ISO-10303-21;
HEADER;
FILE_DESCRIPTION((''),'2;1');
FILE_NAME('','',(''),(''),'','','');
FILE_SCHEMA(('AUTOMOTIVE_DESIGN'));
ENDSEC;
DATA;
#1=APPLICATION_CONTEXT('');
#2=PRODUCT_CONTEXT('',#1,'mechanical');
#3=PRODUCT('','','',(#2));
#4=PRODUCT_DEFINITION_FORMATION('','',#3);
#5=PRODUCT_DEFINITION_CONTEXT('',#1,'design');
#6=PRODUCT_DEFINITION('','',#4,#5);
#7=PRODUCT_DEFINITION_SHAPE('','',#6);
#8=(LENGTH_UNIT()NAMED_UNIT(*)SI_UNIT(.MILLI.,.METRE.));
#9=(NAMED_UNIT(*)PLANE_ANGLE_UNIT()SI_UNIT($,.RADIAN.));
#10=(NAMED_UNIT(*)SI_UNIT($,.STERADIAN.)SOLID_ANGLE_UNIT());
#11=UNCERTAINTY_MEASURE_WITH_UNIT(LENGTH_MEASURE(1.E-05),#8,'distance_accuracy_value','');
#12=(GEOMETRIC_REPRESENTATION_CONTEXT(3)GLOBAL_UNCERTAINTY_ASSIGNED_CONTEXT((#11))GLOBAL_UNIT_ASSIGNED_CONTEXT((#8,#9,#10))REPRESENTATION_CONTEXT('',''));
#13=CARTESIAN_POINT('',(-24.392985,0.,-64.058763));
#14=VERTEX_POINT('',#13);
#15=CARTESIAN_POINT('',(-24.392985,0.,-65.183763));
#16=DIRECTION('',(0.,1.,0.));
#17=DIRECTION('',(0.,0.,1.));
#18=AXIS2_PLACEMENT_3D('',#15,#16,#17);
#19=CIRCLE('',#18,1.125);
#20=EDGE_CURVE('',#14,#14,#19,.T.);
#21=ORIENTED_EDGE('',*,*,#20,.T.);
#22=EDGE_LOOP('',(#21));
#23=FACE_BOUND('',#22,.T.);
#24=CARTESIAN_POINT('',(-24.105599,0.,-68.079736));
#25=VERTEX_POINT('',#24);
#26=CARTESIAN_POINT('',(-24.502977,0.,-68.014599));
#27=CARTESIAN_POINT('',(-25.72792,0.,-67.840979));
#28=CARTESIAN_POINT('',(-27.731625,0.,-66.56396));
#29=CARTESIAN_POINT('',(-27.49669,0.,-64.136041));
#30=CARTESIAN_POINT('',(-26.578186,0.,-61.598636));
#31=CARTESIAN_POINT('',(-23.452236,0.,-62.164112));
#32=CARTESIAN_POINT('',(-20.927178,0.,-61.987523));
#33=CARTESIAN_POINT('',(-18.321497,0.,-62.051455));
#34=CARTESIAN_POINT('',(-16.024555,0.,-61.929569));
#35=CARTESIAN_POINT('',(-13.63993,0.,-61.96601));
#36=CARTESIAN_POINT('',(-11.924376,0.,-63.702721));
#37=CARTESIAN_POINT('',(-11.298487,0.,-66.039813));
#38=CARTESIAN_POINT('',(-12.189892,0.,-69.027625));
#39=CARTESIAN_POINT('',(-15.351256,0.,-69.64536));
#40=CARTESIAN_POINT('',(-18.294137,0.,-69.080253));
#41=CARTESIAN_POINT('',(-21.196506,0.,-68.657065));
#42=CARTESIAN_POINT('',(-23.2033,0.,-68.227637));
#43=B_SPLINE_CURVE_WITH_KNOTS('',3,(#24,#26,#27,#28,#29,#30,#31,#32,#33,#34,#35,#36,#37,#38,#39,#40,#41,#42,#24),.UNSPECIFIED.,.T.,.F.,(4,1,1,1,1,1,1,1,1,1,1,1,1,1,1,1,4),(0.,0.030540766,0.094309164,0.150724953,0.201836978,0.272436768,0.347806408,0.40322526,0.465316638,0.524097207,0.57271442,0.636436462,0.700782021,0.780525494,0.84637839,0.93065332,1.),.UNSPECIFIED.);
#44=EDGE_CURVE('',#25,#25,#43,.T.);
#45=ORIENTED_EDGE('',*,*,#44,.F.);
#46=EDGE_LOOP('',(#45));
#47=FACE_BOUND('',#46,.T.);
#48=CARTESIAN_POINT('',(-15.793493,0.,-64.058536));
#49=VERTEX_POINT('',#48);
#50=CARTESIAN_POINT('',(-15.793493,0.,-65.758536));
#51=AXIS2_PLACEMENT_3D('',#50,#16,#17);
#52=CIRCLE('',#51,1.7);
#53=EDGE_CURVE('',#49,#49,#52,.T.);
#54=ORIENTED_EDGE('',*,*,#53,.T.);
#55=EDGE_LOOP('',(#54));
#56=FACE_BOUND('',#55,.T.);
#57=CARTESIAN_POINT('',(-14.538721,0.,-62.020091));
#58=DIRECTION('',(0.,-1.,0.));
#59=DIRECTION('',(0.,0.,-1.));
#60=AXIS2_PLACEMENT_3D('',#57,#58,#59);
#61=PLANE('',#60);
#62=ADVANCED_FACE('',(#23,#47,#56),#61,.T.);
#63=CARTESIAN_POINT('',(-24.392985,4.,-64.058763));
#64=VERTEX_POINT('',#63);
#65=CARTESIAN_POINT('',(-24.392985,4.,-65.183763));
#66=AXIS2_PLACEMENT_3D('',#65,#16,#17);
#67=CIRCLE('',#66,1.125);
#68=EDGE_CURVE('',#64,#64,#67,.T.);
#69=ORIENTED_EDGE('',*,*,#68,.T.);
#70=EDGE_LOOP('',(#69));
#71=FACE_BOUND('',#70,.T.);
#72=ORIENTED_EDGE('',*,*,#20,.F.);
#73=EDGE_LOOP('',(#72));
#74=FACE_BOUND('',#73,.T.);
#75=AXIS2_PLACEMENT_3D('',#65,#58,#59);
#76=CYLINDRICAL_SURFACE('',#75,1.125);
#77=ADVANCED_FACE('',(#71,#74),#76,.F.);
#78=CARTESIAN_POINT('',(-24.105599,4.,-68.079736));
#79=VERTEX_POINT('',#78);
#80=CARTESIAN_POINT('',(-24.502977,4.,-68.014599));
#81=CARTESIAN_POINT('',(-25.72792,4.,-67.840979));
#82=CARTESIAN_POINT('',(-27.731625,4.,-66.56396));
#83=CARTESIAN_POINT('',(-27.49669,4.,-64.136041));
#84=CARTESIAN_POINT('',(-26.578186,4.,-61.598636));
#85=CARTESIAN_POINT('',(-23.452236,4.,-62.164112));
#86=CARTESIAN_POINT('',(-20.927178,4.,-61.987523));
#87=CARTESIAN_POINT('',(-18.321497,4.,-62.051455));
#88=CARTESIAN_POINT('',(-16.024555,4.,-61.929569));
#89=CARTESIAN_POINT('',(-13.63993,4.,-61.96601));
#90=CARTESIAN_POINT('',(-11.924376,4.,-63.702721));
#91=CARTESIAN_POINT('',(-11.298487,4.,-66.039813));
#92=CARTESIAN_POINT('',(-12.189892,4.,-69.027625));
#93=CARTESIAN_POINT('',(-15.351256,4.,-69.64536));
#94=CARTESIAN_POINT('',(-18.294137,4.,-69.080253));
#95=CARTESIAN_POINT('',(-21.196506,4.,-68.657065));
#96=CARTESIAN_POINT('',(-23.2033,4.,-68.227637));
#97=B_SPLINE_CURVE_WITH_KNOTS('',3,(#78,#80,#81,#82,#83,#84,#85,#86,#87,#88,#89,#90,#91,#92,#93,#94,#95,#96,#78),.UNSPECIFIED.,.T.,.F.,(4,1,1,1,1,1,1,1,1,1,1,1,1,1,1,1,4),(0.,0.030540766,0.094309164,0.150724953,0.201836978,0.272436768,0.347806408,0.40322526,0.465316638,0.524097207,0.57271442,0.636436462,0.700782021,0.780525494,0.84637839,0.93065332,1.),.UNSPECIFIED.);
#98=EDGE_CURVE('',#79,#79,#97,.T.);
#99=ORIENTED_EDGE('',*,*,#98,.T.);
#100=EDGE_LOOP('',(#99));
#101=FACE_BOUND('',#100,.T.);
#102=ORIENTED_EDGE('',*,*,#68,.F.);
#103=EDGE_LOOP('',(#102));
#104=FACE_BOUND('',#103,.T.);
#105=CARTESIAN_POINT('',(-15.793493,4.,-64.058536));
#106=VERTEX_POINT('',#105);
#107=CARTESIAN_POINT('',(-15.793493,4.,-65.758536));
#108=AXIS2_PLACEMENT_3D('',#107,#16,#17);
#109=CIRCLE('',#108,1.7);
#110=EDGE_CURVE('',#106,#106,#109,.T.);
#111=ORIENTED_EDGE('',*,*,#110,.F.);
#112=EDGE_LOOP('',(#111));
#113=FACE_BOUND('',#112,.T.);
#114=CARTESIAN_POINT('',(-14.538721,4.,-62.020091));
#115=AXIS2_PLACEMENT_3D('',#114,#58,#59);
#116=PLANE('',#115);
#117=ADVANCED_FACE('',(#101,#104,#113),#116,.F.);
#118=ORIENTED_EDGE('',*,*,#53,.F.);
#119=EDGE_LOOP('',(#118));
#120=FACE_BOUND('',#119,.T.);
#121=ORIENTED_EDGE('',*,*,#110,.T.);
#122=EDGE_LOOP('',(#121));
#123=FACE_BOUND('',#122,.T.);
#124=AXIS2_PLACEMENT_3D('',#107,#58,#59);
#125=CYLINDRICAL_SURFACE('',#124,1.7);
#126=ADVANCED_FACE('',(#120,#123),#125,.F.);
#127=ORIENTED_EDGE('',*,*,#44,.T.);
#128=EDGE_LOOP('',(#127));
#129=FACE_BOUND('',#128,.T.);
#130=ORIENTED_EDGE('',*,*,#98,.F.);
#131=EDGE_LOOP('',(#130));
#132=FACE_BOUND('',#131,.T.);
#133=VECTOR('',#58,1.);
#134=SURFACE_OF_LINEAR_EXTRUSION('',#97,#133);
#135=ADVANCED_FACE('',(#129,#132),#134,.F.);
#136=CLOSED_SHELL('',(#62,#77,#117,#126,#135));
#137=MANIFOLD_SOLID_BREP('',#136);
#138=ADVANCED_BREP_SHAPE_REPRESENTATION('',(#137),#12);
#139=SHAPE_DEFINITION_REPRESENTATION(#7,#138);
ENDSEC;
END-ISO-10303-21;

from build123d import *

# Parameters (mm, degrees)
SKETCH1_R           = 1.7
SKETCH1_R_2         = 1.125
BOSS_EXTRUDE4_DEPTH = 4


with BuildPart() as part:
    # Sketch1 → Boss-Extrude4 (new body)
    with BuildSketch(Plane(origin=(0, 0, 0), x_dir=(1, 0, 0), z_dir=(0, 1, 0))):
        with BuildLine():
            add(Edge.make_bspline(
                [(-24.105598553, 68.079736045), (-23.203300365, 68.22763706), (-21.196505696, 68.657065162), (-18.294137467, 69.080253356), (-15.351256217, 69.645359744), (-12.189891612, 69.027624798), (-11.298487188, 66.039813049), (-11.924376267, 63.702720898), (-13.639930098, 61.966009621), (-16.024555432, 61.929568536), (-18.321497485, 62.051455267), (-20.927177877, 61.987522519), (-23.452236285, 62.164112232), (-26.578186239, 61.59863612), (-27.496689817, 64.136041075), (-27.731625039, 66.563960319), (-25.727920045, 67.840979066), (-24.502977026, 68.014599396), (-24.105598553, 68.079736045)],
                knots=[0, 0, 0, 0, 0.06934668, 0.15362161, 0.219474506, 0.299217979, 0.363563538, 0.42728558, 0.475902793, 0.534683362, 0.59677474, 0.652193592, 0.727563232, 0.798163022, 0.849275047, 0.905690836, 0.969459234, 1, 1, 1, 1], degree=3))
        make_face()
        with Locations(Location((-15.793492851, 65.758536314, 0), (0, 0, 270))):
            Circle(SKETCH1_R, mode=Mode.SUBTRACT)
        with Locations(Location((-24.392985186, 65.183763048, 0), (0, 0, 270))):
            Circle(SKETCH1_R_2, mode=Mode.SUBTRACT)
    extrude(amount=BOSS_EXTRUDE4_DEPTH)


solid = part.part
